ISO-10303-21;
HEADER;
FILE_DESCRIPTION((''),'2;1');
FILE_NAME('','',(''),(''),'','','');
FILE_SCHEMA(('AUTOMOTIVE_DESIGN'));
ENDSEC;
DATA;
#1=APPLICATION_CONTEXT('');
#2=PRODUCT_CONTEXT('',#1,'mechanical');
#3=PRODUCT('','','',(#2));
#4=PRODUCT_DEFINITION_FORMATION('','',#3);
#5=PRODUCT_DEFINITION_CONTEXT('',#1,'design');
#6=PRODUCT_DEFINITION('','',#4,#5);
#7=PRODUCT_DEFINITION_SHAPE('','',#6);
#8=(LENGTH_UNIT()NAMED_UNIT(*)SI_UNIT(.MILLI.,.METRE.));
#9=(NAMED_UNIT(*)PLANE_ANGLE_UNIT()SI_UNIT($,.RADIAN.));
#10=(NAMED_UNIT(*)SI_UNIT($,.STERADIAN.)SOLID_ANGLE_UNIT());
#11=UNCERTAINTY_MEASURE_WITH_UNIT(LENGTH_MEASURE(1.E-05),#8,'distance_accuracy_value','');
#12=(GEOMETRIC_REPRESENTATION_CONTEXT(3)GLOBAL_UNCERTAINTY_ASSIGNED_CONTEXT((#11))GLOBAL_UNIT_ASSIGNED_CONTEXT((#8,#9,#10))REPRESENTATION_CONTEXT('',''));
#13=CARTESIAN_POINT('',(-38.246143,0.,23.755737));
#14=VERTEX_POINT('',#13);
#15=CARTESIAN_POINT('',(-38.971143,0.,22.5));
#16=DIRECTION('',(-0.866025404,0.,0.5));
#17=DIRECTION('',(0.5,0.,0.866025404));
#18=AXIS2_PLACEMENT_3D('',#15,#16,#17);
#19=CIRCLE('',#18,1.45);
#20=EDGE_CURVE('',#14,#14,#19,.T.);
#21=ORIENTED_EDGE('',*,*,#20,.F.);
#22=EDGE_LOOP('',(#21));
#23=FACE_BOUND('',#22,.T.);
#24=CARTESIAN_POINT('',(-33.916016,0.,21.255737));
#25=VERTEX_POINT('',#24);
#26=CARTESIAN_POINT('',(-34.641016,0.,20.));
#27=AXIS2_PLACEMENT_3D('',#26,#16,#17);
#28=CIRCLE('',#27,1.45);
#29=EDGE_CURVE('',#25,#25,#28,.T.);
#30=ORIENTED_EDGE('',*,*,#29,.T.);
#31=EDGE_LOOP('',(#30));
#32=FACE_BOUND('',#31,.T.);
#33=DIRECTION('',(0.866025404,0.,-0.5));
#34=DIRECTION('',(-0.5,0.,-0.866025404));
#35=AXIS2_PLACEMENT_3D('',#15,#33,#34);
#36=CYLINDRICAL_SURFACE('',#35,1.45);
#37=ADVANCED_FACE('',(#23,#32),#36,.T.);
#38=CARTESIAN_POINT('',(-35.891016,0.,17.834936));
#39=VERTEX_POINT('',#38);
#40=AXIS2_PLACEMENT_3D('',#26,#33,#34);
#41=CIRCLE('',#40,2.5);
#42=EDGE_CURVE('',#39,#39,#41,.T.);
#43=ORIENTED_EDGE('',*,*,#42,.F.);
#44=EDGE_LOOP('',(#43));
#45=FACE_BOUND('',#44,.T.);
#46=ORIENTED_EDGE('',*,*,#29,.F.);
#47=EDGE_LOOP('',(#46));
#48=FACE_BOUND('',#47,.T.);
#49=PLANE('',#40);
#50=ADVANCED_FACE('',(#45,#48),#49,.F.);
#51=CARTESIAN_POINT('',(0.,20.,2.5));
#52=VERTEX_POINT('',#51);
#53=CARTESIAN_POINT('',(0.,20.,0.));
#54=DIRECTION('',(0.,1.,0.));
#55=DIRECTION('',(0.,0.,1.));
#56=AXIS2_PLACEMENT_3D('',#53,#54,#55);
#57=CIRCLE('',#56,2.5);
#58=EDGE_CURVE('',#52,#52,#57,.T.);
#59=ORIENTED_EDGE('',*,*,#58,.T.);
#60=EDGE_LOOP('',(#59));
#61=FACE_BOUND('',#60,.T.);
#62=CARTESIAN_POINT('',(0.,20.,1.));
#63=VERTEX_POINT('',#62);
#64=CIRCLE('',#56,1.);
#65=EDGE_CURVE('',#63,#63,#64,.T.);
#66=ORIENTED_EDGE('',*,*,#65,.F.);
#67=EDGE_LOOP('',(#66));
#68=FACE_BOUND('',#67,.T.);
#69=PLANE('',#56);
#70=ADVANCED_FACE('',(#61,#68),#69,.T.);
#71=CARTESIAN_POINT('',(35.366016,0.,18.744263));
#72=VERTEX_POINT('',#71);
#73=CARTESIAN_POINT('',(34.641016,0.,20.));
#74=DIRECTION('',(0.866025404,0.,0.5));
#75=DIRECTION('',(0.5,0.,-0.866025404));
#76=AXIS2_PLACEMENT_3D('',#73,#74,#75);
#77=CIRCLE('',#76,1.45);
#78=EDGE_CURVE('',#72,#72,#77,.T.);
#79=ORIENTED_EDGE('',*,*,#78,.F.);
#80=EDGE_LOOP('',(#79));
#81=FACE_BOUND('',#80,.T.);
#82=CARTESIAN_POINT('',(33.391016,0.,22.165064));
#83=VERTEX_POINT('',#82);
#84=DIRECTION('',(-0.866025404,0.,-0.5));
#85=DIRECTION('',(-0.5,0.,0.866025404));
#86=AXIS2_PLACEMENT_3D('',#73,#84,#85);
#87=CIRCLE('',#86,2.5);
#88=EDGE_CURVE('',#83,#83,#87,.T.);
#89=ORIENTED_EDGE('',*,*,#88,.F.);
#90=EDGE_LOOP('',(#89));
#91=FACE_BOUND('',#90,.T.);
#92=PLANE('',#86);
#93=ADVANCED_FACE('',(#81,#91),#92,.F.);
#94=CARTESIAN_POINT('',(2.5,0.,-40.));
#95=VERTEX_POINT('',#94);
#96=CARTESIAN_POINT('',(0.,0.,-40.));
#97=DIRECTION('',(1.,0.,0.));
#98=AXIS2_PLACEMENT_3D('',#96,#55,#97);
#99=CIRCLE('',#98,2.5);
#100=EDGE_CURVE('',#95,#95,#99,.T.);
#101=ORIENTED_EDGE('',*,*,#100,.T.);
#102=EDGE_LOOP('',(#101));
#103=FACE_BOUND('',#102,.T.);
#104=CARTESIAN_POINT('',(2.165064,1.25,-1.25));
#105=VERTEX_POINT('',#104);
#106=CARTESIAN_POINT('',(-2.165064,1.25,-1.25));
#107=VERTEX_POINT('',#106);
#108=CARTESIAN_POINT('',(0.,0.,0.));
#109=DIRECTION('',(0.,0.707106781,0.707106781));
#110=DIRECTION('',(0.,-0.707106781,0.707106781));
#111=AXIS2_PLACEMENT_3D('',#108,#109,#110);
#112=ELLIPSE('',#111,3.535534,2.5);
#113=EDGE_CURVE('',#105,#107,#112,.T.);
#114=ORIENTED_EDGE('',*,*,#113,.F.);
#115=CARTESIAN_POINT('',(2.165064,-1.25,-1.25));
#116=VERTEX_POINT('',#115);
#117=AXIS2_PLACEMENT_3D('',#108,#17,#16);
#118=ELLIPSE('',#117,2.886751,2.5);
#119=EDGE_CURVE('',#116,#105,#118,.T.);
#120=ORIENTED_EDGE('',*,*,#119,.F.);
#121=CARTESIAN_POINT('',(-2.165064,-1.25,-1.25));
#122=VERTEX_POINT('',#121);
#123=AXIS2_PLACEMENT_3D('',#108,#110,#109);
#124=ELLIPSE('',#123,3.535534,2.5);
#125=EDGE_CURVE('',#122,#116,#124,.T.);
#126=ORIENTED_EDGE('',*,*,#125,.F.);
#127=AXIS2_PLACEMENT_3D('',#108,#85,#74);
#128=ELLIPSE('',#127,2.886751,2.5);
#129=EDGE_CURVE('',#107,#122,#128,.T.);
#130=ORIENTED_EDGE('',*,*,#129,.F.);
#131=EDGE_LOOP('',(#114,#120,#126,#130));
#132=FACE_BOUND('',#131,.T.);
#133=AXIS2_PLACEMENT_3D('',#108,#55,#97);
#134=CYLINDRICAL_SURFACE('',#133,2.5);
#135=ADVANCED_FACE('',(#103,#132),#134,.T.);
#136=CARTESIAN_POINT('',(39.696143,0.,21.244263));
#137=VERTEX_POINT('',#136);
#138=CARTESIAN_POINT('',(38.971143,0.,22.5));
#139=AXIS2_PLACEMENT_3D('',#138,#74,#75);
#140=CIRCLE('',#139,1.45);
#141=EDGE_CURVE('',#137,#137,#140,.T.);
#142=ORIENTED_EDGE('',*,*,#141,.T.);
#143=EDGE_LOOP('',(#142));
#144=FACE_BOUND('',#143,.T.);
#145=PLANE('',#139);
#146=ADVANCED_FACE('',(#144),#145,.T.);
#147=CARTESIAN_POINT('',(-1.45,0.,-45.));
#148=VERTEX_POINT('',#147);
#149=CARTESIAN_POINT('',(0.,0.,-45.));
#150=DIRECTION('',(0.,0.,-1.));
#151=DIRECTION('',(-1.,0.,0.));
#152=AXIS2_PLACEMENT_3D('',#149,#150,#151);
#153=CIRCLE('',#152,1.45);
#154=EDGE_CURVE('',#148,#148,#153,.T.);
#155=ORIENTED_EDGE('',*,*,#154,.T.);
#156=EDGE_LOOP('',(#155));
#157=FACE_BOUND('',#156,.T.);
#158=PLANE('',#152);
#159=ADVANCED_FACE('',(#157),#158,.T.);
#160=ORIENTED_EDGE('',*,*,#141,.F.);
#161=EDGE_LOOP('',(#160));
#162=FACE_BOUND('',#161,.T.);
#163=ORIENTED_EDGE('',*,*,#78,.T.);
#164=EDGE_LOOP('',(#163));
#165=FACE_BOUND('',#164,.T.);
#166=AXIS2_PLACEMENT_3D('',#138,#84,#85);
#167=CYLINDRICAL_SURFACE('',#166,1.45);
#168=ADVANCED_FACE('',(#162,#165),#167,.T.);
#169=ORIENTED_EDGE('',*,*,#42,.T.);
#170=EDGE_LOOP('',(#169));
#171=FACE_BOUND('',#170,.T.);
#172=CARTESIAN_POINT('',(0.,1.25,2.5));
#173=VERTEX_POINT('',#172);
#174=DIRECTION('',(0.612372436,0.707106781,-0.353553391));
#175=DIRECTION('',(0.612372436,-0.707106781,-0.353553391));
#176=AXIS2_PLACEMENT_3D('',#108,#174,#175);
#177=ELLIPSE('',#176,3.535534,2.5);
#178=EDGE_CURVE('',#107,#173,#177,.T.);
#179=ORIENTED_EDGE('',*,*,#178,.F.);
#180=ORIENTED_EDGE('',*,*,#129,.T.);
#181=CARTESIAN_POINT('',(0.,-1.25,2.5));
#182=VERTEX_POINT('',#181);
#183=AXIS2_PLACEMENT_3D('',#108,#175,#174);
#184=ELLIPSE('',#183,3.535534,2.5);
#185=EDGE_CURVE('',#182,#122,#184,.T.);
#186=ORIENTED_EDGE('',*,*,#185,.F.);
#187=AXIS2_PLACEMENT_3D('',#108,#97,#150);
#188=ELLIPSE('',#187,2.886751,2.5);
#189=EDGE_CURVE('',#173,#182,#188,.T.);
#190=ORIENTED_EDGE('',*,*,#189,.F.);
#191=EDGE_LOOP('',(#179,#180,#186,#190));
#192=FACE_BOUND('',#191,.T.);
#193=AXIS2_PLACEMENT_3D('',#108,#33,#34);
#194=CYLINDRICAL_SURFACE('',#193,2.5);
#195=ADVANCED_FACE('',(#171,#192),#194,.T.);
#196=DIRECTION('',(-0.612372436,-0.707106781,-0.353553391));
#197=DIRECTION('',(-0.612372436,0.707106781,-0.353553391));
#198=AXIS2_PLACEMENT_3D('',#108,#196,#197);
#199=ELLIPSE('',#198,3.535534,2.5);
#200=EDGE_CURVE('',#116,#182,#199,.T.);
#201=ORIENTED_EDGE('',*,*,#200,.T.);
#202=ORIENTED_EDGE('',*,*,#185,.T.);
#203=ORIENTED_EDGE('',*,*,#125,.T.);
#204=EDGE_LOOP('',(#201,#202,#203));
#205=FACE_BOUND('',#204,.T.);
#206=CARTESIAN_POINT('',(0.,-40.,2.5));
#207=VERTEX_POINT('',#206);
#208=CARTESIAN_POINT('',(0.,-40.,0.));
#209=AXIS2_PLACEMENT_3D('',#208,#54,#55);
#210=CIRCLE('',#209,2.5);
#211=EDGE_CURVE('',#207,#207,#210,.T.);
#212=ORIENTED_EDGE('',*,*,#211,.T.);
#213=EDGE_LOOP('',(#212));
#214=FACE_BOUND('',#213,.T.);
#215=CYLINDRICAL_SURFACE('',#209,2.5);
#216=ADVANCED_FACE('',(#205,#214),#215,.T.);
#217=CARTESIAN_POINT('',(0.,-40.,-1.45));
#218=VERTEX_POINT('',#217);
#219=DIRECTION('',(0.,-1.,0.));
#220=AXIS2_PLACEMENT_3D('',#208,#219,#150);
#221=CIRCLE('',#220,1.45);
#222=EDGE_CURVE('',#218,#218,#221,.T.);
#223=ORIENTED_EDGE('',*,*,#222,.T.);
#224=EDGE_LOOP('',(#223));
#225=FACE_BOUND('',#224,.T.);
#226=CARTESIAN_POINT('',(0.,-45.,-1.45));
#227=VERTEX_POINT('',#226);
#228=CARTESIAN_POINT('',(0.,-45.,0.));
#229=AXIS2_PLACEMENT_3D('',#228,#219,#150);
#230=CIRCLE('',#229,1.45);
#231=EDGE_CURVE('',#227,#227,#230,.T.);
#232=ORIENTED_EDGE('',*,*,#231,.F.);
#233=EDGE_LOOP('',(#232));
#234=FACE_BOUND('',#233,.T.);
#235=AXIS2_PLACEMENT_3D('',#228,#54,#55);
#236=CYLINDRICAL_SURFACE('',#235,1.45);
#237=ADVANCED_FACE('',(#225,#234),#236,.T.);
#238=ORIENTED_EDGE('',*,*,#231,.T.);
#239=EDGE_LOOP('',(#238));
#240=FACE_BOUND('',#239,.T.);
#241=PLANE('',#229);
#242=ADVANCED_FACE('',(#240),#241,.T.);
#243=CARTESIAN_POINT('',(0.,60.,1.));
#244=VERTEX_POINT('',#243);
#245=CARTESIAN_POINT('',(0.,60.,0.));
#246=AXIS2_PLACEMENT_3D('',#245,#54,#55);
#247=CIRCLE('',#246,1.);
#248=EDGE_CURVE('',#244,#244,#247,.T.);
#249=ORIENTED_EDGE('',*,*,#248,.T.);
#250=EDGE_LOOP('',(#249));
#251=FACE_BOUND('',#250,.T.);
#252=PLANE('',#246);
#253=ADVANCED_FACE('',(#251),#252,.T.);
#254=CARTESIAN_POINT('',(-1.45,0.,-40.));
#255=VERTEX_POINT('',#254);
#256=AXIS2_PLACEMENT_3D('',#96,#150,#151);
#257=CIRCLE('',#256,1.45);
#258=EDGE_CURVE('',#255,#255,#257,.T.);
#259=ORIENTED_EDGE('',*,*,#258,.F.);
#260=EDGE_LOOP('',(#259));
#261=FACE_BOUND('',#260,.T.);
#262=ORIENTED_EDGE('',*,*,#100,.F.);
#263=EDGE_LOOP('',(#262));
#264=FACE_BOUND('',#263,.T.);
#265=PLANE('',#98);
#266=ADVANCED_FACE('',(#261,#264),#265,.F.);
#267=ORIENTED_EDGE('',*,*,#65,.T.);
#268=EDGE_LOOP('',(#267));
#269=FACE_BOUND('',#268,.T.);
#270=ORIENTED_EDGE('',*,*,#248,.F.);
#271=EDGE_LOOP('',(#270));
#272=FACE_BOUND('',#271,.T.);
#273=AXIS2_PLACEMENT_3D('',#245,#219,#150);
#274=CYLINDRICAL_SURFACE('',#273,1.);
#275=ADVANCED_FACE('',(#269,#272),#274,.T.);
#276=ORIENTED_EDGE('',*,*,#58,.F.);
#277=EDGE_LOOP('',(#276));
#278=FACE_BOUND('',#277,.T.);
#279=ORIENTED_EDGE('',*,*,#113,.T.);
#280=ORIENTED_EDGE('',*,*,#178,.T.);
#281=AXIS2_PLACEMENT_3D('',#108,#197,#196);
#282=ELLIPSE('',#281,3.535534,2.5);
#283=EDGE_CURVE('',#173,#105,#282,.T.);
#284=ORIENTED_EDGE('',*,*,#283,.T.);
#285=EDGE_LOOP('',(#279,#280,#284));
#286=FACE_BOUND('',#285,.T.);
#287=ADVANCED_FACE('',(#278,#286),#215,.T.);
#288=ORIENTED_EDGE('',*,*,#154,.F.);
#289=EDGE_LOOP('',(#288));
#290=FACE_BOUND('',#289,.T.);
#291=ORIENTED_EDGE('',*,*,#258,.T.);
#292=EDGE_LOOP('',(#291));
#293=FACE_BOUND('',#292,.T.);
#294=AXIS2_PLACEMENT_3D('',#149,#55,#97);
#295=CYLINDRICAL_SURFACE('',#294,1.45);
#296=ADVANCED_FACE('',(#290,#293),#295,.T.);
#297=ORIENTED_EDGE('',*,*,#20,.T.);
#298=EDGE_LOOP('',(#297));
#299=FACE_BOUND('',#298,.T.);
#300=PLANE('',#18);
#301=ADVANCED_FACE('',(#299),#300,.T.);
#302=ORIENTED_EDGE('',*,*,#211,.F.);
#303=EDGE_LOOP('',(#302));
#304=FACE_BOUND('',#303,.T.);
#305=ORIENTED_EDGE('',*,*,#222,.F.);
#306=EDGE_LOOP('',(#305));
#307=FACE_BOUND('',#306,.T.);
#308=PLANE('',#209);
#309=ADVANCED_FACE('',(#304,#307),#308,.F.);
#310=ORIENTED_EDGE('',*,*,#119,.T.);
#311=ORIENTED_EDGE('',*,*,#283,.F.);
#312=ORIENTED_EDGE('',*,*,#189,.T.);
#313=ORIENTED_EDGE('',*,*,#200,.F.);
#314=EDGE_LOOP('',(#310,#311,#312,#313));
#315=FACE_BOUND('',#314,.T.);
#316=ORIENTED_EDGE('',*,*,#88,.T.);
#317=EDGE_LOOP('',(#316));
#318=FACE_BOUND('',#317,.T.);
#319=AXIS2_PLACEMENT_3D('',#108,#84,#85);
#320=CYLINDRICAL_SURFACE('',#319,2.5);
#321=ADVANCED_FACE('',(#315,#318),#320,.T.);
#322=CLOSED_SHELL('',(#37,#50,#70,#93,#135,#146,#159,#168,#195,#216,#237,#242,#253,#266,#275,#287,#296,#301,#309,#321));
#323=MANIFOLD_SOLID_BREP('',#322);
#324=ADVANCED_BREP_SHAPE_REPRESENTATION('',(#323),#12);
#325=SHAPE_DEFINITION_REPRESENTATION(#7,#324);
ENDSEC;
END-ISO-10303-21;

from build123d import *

# Parameters (mm, degrees)
SKETCH_1_W                 = 2.5
SKETCH_1_H                 = 40
SKETCH_8_R                 = 1.45
EXTRUDE_2_DEPTH            = 5
PATTERN_CIRCULAR_760_COUNT = 3
EXTRUDE_2_2_DEPTH          = 20
EXTRUDE_2_2_DEPTH_BACK     = 40
SKETCH_5_R                 = 2.5
SKETCH_6_R                 = 1
EXTRUDE_1_DEPTH            = 40
PATTERN_CIRCULAR_1_COUNT   = 3
SKETCH_9_R                 = 1.45
EXTRUDE_3_DEPTH            = 5


with BuildPart() as part:
    # 草图1 → 杆件1 (revolve)
    with BuildSketch(Plane(origin=(0, 0, 0), x_dir=(1, 0, 0), z_dir=(0, 1, 0)), mode=Mode.PRIVATE) as revolve_1_sk:
        with Locations((-1.25, 20)):
            Rectangle(SKETCH_1_W, SKETCH_1_H)
    revolve_1 = revolve(revolve_1_sk.sketch.rotate(Axis((0, 0, 0), (0, 0, -1)), 180), axis=Axis((0, 0, 0), (0, 0, -1)))

    # 草图8 → Extrude 2 (add)
    with BuildSketch(Plane(origin=(0, 0, -40), x_dir=(-1, 0, 0), z_dir=(0, 0, -1))):
        Circle(SKETCH_8_R)
    extrude_2 = extrude(amount=EXTRUDE_2_DEPTH)

    # Pattern Circular 760: 杆件1 ×3 about axis
    pattern_circular_760_axis = Axis((0, 0, 0), (0, 1, 0))
    for i in range(1, PATTERN_CIRCULAR_760_COUNT):
        add(revolve_1.rotate(pattern_circular_760_axis, i * 360 / PATTERN_CIRCULAR_760_COUNT))

    # 草图5 → Extrude 2 2 (add, two sides: drawn at the far end of the back side and taken through both)
    with BuildSketch(Plane(origin=(0, 0, 0), x_dir=(1, 0, 0), z_dir=(0, 1, 0)).offset(-EXTRUDE_2_2_DEPTH_BACK)):
        with Locations(Location((0, 0, 0), (0, 0, 270))):
            Circle(SKETCH_5_R)
    extrude(amount=EXTRUDE_2_2_DEPTH + EXTRUDE_2_2_DEPTH_BACK)

    # 草图6 → 凸台-拉伸1 (add)
    with BuildSketch(Plane(origin=(0, 20, 0), x_dir=(1, 0, 0), z_dir=(0, 1, 0))):
        with Locations(Location((0, 0, 0), (0, 0, 270))):
            Circle(SKETCH_6_R)
    extrude(amount=EXTRUDE_1_DEPTH)

    # 阵列(圆周)1: Extrude 2 ×3 about axis
    pattern_circular_1_axis = Axis((0, 0, 0), (0, 1, 0))
    for i in range(1, PATTERN_CIRCULAR_1_COUNT):
        add(extrude_2.rotate(pattern_circular_1_axis, i * 360 / PATTERN_CIRCULAR_1_COUNT))

    # 草图9 → 凸台-拉伸3 (add)
    with BuildSketch(Plane.XZ.offset(40)):
        with Locations(Location((0, 0, 0), (0, 0, 270))):
            Circle(SKETCH_9_R)
    extrude(amount=EXTRUDE_3_DEPTH)


solid = part.part
